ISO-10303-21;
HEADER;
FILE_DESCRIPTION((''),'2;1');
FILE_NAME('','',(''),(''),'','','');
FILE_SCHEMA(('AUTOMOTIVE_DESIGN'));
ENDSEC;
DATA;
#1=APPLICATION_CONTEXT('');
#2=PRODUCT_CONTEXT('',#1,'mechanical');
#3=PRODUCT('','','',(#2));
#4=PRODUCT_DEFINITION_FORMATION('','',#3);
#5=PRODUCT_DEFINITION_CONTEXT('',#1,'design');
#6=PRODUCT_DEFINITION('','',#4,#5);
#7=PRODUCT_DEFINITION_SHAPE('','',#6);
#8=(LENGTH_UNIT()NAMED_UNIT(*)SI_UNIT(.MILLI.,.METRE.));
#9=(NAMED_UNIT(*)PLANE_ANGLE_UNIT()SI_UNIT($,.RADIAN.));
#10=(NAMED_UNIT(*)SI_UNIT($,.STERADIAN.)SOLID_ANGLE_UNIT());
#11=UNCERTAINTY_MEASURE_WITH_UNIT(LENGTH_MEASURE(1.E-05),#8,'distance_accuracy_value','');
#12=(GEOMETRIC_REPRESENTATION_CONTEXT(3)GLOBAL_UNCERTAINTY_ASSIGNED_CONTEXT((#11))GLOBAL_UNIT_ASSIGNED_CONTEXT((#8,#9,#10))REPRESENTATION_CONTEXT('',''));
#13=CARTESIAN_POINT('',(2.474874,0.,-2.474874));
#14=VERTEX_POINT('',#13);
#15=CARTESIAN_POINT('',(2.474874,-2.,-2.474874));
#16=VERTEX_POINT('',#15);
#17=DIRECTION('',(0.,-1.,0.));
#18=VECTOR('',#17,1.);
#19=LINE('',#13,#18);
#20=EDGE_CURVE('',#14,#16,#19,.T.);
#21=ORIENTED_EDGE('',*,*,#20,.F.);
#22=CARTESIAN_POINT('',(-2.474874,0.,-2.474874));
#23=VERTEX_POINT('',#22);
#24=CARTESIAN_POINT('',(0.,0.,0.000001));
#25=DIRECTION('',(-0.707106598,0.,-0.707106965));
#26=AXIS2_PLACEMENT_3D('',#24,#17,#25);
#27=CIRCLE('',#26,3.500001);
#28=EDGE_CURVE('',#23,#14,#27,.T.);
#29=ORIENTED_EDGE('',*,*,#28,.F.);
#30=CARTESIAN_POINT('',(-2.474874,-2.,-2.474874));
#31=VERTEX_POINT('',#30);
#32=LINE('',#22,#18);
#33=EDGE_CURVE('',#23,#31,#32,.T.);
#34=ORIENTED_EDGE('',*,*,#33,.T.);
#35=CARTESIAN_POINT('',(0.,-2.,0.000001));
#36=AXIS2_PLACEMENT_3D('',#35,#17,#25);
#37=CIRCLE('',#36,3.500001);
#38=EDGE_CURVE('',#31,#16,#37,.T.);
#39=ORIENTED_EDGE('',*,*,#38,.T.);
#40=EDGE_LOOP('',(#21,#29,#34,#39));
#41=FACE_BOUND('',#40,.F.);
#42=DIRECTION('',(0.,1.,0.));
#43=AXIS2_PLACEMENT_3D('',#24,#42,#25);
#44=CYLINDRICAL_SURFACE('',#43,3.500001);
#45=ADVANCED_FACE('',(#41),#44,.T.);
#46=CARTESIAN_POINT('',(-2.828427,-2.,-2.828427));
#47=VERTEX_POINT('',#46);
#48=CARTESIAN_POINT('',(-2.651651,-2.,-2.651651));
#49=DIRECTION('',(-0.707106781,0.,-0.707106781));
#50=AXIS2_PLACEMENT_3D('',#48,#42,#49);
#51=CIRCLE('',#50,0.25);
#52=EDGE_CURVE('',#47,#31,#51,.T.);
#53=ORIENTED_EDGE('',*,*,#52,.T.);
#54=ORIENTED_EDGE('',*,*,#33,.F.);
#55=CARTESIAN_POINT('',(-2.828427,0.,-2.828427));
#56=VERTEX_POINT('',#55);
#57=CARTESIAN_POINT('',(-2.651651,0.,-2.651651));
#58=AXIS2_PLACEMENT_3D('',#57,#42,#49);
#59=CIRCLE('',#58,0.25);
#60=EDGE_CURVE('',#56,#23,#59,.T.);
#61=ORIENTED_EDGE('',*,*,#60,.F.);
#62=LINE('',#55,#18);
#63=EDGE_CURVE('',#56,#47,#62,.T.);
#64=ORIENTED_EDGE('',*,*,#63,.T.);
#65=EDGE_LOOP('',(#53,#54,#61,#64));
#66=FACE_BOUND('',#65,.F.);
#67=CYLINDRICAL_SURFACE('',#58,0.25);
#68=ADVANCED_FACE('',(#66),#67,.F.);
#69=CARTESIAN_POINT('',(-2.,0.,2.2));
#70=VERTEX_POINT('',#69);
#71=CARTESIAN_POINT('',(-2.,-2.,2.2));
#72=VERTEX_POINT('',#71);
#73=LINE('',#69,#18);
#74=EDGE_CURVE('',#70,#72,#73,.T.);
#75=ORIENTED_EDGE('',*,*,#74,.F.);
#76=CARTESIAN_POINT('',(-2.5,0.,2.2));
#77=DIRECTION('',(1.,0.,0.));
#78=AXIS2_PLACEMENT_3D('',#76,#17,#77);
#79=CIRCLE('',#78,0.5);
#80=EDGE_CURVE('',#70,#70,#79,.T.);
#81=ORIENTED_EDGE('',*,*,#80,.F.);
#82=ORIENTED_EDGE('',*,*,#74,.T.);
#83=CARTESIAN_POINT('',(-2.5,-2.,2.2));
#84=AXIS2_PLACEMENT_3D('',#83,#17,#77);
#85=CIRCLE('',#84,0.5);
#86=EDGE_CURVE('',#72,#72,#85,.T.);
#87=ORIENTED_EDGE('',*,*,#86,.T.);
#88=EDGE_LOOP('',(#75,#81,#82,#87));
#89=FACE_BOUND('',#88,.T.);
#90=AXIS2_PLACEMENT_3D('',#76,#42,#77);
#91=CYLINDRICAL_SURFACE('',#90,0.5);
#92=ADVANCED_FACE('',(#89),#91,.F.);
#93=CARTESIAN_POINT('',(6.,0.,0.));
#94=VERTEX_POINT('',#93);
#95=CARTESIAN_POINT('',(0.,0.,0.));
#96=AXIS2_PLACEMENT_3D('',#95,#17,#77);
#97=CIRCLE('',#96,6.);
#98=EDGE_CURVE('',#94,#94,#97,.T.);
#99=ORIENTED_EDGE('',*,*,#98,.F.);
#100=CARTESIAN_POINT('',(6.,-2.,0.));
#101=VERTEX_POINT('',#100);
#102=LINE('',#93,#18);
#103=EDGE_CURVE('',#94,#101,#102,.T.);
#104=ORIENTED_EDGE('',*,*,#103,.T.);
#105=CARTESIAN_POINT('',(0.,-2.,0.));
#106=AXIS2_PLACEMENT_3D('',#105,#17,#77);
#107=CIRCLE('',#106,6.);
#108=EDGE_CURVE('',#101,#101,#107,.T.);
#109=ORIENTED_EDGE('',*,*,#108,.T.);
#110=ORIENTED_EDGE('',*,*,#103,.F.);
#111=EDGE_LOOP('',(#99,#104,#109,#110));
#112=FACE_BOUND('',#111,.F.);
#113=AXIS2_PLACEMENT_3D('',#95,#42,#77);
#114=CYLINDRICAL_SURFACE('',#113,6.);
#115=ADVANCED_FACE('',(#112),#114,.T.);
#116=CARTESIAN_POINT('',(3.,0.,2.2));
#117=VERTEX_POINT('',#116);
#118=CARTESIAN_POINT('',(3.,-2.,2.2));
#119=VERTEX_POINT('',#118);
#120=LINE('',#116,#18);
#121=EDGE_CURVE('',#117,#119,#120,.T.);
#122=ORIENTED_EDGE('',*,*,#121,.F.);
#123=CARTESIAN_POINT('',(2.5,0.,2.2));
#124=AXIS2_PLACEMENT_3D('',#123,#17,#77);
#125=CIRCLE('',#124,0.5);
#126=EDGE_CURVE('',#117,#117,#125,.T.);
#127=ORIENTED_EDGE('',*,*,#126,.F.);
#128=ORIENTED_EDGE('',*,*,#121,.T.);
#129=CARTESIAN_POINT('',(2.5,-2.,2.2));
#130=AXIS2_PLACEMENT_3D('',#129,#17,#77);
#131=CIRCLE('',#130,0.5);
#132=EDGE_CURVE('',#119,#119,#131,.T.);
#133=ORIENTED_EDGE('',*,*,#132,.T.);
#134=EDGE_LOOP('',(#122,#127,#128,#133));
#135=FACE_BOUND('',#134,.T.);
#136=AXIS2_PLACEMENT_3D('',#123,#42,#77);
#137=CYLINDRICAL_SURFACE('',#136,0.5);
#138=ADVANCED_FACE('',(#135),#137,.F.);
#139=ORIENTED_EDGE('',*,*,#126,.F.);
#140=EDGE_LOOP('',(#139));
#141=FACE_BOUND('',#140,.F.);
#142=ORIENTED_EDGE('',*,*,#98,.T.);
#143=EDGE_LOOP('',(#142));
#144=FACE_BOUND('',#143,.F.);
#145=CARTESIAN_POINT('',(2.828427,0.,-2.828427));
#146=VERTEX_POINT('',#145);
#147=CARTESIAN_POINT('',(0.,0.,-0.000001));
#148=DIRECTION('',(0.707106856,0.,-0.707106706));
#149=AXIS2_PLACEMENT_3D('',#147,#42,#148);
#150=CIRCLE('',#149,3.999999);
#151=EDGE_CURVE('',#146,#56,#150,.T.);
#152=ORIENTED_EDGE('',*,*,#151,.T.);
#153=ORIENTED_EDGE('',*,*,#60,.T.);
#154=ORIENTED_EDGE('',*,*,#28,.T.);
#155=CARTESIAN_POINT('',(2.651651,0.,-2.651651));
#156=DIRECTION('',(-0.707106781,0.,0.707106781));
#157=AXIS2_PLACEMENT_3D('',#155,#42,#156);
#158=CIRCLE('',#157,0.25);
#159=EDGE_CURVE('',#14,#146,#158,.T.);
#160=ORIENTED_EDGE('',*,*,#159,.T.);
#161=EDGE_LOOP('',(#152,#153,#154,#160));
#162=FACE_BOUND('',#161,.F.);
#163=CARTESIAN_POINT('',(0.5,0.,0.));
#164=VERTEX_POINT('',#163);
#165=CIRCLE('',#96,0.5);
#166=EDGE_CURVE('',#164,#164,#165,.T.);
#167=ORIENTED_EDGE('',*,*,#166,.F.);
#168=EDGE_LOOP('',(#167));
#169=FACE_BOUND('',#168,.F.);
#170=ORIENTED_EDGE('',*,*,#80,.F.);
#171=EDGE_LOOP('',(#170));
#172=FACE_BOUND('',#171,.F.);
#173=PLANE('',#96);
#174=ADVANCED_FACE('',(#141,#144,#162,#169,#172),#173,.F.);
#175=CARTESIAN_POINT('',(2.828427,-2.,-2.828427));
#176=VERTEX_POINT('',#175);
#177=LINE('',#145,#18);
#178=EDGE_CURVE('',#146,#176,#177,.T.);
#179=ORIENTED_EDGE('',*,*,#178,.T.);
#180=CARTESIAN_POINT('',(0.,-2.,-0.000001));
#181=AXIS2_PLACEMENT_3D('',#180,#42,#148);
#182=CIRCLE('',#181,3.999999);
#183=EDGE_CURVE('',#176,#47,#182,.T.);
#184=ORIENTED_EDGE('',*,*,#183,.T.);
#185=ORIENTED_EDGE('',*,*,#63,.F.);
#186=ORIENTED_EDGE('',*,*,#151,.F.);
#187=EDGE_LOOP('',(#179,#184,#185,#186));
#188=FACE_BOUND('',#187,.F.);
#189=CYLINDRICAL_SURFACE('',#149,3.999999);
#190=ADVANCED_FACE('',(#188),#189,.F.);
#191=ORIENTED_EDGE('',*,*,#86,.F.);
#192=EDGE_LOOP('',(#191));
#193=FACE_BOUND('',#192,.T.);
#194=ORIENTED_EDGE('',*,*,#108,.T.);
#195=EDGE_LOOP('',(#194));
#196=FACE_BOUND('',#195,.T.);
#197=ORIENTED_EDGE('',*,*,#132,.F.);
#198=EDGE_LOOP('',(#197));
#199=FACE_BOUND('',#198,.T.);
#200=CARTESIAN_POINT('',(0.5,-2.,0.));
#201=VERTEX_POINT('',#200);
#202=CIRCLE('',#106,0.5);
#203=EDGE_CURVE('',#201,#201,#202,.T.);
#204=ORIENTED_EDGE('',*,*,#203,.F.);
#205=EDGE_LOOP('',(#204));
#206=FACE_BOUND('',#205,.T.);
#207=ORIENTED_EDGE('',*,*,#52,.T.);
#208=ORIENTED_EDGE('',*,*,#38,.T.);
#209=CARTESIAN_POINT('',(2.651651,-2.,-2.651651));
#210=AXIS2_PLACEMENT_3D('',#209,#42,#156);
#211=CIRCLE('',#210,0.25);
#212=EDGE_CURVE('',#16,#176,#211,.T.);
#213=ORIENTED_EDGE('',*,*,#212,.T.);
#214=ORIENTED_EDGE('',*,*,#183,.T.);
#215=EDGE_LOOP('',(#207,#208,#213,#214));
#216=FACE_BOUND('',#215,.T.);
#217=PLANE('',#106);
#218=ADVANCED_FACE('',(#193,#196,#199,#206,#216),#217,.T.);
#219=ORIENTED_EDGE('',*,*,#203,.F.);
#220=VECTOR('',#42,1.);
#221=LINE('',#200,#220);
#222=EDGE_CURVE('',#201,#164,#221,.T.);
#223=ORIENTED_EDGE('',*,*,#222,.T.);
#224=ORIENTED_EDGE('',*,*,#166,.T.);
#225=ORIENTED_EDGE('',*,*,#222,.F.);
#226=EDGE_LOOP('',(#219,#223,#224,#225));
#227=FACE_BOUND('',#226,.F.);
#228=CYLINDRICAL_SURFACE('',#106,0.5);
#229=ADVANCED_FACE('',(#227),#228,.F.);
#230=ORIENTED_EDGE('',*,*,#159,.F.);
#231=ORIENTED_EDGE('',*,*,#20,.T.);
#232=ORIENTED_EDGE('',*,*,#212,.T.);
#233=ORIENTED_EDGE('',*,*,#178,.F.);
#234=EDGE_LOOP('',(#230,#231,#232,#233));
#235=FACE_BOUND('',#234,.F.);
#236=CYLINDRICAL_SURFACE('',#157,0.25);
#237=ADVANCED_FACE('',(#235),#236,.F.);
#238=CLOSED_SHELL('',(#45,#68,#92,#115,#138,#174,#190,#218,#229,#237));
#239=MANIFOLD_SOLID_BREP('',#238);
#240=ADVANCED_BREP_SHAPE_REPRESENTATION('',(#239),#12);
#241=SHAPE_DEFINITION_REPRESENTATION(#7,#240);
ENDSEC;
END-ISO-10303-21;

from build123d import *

# Parameters (mm, degrees)
F0_R     = 6
F0_R_2   = 0.5
F1_DEPTH = 2
F2_R     = 0.5
F3_DEPTH = 25


with BuildPart() as f1:
    # F0 (on Front) → F1 (new body)
    with BuildSketch(Plane.XZ):
        Circle(F0_R)
        with BuildLine():
            ThreePointArc((2.474874, -2.474874), (2.828427, -2.474874), (2.828427, -2.828427))
            ThreePointArc((2.828427, -2.828427), (0, -4), (-2.828427, -2.828427))
            ThreePointArc((-2.828427, -2.828427), (-2.828427, -2.474874), (-2.474874, -2.474874))
            ThreePointArc((-2.474874, -2.474874), (0, -3.5), (2.474874, -2.474874))
        make_face(mode=Mode.SUBTRACT)
        with Locations((-2.5, 2.2)):
            Circle(F0_R_2, mode=Mode.SUBTRACT)
        with Locations((2.5, 2.2)):
            Circle(F0_R_2, mode=Mode.SUBTRACT)
    extrude(amount=F1_DEPTH)

    # F2 (on face) → F3 (cut)
    with BuildSketch(Plane.XZ.offset(2)):
        Circle(F2_R)
    extrude(amount=-F3_DEPTH, mode=Mode.SUBTRACT)


solid = f1.part
